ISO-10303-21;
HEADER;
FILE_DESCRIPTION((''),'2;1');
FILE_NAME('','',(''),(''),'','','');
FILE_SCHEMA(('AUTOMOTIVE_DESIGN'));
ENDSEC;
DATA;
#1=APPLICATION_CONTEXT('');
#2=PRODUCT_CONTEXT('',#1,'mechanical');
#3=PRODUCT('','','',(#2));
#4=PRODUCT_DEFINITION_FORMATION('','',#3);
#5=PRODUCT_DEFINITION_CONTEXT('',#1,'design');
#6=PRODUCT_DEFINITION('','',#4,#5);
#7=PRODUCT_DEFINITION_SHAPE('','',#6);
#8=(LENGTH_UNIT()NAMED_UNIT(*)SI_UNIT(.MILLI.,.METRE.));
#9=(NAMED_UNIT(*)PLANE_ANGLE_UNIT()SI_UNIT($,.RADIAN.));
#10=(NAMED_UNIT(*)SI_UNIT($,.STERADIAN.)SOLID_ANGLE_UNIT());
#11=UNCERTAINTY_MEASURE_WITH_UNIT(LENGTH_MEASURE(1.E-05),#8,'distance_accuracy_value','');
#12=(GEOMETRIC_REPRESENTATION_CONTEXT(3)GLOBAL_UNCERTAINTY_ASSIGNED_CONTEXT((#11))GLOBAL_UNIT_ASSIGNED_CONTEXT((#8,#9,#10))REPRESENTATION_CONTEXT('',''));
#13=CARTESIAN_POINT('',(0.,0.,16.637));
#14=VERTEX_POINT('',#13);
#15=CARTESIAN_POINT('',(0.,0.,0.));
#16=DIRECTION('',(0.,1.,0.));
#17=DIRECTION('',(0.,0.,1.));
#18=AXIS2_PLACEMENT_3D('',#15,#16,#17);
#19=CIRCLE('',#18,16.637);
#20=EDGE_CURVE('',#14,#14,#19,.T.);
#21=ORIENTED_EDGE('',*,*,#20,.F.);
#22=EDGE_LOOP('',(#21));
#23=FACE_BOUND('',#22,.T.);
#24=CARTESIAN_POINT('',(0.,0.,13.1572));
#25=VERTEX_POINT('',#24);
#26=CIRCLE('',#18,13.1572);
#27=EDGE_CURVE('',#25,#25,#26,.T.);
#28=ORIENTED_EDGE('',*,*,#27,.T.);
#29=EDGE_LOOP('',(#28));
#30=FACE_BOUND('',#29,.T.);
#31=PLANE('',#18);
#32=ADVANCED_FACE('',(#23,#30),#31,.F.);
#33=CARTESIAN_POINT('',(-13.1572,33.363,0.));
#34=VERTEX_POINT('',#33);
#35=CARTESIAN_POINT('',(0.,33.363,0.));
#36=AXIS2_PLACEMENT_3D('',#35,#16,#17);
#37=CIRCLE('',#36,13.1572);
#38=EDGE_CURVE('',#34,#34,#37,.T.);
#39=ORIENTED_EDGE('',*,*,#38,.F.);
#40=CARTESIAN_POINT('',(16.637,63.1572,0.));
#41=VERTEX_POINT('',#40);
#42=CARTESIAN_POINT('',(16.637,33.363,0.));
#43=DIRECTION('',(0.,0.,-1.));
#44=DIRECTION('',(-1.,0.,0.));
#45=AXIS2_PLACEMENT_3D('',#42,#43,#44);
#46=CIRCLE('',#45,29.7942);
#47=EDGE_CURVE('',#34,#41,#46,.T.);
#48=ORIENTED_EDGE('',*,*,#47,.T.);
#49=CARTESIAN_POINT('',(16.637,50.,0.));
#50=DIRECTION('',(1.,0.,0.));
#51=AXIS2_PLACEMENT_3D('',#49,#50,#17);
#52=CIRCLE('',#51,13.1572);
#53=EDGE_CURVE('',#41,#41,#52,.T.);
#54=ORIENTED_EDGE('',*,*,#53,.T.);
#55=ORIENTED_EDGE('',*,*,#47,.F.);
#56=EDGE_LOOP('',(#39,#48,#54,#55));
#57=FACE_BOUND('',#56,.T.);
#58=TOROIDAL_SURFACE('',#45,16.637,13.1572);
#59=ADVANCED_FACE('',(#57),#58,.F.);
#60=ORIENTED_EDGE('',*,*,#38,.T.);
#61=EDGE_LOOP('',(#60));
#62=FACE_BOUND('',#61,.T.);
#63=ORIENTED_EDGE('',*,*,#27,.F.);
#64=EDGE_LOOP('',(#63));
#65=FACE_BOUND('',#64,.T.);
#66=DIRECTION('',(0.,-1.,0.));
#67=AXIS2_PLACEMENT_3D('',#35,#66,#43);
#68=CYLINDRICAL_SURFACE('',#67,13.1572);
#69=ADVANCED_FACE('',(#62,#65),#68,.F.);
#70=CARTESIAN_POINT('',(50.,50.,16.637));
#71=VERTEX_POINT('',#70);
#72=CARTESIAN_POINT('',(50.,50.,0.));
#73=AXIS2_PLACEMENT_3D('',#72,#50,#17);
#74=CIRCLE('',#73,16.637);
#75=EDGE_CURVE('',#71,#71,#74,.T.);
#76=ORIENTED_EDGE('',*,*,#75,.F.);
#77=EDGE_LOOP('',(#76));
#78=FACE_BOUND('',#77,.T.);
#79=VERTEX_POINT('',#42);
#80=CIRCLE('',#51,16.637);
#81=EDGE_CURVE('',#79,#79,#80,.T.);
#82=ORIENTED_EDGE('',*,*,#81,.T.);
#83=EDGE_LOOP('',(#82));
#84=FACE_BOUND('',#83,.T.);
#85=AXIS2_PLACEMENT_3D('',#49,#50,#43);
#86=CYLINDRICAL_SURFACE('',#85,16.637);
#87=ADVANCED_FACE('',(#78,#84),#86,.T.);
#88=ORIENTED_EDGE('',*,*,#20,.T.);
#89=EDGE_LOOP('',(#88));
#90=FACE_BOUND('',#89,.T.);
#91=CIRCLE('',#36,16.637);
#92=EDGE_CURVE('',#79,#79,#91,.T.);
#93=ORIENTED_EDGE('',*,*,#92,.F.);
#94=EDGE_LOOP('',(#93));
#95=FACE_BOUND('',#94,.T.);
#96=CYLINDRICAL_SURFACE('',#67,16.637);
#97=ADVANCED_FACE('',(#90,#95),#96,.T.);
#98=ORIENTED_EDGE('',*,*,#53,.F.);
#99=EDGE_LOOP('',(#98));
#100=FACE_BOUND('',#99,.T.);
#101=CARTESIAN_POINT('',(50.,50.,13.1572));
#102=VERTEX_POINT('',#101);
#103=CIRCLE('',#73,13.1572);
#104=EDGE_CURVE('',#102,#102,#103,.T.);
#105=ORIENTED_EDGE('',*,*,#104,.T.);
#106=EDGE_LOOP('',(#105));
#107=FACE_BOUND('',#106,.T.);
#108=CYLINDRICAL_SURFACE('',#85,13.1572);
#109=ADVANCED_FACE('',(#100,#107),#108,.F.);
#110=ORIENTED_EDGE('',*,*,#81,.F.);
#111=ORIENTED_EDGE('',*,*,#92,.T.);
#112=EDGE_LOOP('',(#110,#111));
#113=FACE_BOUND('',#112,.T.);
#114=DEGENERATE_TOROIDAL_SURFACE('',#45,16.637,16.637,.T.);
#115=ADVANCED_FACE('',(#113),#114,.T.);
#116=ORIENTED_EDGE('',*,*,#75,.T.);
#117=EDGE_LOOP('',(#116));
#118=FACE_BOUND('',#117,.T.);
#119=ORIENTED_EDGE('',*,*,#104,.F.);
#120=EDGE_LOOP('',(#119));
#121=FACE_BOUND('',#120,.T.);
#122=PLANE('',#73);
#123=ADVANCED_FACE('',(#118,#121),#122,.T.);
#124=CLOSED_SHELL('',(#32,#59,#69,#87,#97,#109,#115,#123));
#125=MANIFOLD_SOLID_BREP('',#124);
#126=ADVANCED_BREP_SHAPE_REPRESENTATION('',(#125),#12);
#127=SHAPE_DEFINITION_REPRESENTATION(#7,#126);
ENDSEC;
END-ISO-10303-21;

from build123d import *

# Parameters (mm, degrees)
SKETCH1_R   = 16.637
SKETCH1_R_2 = 13.1572


with BuildPart() as part:
    # Sweep4: sweep along a path in Sketch4
    with BuildLine(Plane.XY) as sweep4_path:
        Line((0, 0), (0, 33.363))
        ThreePointArc((0, 33.363), (4.872864481, 45.127135519), (16.637, 50))
        Line((16.637, 50), (50, 50))
    # Sketch1 → Sweep4 (sweep)
    with BuildSketch(Plane(origin=(0, 0, 0), x_dir=(1, 0, 0), z_dir=(0, 1, 0))):
        Circle(SKETCH1_R)
        Circle(SKETCH1_R_2, mode=Mode.SUBTRACT)
    sweep(path=sweep4_path.line)


solid = part.part
